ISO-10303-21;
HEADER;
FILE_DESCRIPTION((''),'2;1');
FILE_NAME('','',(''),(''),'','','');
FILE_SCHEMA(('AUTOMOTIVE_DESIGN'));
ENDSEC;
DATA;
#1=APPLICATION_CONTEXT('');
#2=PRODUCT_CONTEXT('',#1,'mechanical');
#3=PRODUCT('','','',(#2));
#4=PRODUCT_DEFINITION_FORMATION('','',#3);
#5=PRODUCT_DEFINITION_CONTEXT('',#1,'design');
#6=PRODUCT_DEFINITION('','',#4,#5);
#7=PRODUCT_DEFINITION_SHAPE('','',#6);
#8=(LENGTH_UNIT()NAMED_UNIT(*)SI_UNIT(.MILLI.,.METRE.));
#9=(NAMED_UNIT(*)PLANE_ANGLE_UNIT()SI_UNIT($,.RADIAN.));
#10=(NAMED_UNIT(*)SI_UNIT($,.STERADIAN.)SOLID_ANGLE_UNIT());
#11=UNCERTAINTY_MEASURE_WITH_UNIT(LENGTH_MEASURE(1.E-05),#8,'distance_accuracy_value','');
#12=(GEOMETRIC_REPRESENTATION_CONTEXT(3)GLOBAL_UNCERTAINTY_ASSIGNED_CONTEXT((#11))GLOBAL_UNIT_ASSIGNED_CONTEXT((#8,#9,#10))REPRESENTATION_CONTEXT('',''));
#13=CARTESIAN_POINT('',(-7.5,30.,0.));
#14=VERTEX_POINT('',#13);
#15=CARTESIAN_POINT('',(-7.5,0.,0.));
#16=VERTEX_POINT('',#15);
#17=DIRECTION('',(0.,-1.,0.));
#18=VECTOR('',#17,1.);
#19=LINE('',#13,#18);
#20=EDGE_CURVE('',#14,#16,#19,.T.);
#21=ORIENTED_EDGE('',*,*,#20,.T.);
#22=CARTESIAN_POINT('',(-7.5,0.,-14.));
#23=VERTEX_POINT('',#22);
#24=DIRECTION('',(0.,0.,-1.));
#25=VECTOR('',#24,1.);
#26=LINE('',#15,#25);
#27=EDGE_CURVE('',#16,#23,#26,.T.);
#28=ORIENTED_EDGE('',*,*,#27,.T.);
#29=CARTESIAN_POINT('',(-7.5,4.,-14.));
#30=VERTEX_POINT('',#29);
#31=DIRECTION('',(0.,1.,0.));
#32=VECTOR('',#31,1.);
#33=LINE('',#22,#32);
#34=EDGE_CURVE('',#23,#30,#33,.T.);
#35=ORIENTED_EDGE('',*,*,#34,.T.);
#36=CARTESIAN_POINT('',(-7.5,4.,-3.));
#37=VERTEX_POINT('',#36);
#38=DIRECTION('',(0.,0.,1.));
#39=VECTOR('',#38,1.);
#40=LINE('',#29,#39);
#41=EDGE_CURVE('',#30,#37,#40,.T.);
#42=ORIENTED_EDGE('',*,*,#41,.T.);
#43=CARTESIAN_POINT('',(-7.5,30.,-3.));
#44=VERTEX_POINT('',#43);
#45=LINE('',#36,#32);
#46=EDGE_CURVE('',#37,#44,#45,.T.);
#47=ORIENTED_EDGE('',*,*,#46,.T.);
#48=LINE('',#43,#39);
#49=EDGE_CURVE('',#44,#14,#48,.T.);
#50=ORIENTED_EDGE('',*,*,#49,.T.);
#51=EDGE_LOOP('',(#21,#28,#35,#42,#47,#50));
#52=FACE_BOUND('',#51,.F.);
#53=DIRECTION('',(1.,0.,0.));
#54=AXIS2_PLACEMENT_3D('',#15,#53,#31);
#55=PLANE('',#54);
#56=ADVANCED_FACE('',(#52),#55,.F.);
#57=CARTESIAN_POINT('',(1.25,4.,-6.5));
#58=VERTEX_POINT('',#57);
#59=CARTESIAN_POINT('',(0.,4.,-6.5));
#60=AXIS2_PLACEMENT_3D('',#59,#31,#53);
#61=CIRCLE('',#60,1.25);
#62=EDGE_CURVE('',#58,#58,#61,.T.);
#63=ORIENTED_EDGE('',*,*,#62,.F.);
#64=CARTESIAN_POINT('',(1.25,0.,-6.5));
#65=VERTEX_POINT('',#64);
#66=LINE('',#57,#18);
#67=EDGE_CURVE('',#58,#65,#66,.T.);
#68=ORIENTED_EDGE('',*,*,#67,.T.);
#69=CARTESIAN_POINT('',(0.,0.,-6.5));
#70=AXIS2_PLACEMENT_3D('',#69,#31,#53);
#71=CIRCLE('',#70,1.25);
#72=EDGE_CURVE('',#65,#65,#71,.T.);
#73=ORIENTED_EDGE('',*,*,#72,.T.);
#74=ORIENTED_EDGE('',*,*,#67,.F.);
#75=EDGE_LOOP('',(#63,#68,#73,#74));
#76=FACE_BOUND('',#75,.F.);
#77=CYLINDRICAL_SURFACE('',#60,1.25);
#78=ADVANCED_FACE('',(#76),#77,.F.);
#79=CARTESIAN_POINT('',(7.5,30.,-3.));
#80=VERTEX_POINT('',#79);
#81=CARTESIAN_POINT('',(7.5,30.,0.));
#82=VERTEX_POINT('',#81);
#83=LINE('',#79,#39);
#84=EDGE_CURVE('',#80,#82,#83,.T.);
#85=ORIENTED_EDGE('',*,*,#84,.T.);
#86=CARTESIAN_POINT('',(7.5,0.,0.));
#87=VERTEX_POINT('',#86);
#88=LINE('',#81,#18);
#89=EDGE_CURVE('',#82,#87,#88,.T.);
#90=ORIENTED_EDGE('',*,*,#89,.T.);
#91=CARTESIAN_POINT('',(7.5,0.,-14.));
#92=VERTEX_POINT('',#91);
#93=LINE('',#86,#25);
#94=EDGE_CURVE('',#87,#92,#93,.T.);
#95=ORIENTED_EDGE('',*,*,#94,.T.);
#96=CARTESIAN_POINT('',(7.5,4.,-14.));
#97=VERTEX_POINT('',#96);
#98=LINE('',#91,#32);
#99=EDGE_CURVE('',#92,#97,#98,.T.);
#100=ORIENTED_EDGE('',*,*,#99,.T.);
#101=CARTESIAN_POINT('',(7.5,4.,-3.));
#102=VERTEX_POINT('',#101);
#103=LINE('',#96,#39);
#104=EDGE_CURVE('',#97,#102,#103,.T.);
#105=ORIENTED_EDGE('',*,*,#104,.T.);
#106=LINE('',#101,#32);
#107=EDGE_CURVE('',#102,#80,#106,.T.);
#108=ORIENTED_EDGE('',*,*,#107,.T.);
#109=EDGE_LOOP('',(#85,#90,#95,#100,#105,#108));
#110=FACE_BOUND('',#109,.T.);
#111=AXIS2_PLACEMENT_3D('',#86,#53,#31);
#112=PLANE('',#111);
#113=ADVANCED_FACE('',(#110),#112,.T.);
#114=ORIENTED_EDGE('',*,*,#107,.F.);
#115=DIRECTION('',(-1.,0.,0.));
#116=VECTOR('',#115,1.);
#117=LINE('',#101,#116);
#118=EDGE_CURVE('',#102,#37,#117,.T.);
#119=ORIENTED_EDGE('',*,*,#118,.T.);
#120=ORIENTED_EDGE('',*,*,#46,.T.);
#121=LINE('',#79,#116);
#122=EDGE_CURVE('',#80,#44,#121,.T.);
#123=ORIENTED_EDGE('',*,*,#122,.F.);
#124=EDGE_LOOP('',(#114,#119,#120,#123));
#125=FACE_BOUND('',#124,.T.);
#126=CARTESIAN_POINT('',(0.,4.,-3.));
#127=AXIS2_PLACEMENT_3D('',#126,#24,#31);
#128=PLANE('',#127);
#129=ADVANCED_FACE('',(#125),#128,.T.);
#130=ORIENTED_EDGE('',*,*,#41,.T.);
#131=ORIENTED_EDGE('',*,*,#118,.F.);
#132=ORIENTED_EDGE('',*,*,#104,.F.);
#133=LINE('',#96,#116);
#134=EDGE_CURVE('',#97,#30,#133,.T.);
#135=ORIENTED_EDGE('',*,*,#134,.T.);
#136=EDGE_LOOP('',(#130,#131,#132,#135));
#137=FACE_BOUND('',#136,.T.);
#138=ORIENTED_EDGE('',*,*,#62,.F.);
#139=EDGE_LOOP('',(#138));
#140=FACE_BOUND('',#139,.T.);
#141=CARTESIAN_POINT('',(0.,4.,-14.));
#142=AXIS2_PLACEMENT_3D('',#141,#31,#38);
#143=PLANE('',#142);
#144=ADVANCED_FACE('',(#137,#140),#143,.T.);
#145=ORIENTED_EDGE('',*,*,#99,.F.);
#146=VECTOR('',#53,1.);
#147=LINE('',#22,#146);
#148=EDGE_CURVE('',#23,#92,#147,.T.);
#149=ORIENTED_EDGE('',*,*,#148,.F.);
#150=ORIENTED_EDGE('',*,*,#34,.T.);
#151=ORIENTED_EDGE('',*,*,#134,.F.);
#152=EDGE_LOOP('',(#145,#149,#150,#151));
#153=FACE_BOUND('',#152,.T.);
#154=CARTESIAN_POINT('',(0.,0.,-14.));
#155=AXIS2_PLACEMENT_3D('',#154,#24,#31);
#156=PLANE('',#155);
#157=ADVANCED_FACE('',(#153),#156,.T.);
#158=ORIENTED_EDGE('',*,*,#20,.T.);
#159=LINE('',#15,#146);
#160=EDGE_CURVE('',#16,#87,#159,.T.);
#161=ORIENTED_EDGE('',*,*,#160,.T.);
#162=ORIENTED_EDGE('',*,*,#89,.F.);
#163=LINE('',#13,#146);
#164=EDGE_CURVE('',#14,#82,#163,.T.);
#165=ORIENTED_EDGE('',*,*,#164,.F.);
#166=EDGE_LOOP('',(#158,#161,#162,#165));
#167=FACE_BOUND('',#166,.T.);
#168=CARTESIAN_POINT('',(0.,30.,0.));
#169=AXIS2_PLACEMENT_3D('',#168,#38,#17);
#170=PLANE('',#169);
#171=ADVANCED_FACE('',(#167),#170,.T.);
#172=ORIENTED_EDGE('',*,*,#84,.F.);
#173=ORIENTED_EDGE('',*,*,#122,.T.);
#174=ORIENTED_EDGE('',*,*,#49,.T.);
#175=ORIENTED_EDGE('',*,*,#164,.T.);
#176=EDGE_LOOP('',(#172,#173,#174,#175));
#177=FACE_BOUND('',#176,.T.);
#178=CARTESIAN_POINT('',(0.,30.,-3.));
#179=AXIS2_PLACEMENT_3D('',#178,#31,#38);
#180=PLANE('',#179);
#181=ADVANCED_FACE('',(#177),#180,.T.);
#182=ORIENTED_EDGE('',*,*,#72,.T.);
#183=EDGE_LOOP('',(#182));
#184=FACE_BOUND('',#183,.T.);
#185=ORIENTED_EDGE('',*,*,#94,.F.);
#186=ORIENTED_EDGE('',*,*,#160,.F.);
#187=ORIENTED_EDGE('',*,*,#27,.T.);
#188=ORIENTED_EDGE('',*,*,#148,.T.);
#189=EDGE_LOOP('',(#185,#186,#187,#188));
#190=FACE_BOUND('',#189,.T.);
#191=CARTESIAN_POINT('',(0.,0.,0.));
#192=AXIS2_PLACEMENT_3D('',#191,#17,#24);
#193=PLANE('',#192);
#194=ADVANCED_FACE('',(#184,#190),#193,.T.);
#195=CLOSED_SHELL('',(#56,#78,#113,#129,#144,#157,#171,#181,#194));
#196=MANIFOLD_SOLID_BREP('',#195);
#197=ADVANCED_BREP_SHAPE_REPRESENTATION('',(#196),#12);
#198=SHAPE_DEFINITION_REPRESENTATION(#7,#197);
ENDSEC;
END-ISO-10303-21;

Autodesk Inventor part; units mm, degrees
ref_plane "YZ Plane" through (0, 0, 0) normal (1, 0, 0) x (0, 1, 0)
ref_plane "XZ Plane" through (0, 0, 0) normal (0, 1, 0) x (-1, 0, 0)
ref_plane "XY Plane" through (0, 0, 0) normal (0, 0, 1) x (1, 0, 0)
sketch "Sketch1" plane through (0, 0, 0) normal (1, 0, 0) x (0, 1, 0)
  line L0 (30, 0) -> (0, 0)
  line L1 (0, 0) -> (0, -14)
  line L2 (0, -14) -> (4, -14)
  line L3 (4, -14) -> (4, -3)
  line L4 (4, -3) -> (30, -3)
  line L5 (30, -3) -> (30, 0)
  dimension "d0" = 4
  dimension "d1" = 14
  dimension "d2" = 3
  dimension "d3" = 30
extrude "Extrusion1" add sketch "Sketch1" against normal mid plane 15
sketch "Sketch2" plane through (-7.5, 4, -14) normal (0, 1, 0) x (1, 0, 0)
  circle A0 centre (7.5, -7.5) radius 1.25
  line L0 (0, 0) -> (15, 0) projected
  line L1 (0, -14) -> (15, -14) projected
  line L2 (0, -11) -> (15, -11) projected
  point P0 (7.5, -14)
  point P1 (7.5, -14)
  dimension "d6" = 2.5
  dimension "d10" = 3.5
extrude "Extrusion2" cut sketch "Sketch2" against normal through all
properties part number "battery_fix_board"
